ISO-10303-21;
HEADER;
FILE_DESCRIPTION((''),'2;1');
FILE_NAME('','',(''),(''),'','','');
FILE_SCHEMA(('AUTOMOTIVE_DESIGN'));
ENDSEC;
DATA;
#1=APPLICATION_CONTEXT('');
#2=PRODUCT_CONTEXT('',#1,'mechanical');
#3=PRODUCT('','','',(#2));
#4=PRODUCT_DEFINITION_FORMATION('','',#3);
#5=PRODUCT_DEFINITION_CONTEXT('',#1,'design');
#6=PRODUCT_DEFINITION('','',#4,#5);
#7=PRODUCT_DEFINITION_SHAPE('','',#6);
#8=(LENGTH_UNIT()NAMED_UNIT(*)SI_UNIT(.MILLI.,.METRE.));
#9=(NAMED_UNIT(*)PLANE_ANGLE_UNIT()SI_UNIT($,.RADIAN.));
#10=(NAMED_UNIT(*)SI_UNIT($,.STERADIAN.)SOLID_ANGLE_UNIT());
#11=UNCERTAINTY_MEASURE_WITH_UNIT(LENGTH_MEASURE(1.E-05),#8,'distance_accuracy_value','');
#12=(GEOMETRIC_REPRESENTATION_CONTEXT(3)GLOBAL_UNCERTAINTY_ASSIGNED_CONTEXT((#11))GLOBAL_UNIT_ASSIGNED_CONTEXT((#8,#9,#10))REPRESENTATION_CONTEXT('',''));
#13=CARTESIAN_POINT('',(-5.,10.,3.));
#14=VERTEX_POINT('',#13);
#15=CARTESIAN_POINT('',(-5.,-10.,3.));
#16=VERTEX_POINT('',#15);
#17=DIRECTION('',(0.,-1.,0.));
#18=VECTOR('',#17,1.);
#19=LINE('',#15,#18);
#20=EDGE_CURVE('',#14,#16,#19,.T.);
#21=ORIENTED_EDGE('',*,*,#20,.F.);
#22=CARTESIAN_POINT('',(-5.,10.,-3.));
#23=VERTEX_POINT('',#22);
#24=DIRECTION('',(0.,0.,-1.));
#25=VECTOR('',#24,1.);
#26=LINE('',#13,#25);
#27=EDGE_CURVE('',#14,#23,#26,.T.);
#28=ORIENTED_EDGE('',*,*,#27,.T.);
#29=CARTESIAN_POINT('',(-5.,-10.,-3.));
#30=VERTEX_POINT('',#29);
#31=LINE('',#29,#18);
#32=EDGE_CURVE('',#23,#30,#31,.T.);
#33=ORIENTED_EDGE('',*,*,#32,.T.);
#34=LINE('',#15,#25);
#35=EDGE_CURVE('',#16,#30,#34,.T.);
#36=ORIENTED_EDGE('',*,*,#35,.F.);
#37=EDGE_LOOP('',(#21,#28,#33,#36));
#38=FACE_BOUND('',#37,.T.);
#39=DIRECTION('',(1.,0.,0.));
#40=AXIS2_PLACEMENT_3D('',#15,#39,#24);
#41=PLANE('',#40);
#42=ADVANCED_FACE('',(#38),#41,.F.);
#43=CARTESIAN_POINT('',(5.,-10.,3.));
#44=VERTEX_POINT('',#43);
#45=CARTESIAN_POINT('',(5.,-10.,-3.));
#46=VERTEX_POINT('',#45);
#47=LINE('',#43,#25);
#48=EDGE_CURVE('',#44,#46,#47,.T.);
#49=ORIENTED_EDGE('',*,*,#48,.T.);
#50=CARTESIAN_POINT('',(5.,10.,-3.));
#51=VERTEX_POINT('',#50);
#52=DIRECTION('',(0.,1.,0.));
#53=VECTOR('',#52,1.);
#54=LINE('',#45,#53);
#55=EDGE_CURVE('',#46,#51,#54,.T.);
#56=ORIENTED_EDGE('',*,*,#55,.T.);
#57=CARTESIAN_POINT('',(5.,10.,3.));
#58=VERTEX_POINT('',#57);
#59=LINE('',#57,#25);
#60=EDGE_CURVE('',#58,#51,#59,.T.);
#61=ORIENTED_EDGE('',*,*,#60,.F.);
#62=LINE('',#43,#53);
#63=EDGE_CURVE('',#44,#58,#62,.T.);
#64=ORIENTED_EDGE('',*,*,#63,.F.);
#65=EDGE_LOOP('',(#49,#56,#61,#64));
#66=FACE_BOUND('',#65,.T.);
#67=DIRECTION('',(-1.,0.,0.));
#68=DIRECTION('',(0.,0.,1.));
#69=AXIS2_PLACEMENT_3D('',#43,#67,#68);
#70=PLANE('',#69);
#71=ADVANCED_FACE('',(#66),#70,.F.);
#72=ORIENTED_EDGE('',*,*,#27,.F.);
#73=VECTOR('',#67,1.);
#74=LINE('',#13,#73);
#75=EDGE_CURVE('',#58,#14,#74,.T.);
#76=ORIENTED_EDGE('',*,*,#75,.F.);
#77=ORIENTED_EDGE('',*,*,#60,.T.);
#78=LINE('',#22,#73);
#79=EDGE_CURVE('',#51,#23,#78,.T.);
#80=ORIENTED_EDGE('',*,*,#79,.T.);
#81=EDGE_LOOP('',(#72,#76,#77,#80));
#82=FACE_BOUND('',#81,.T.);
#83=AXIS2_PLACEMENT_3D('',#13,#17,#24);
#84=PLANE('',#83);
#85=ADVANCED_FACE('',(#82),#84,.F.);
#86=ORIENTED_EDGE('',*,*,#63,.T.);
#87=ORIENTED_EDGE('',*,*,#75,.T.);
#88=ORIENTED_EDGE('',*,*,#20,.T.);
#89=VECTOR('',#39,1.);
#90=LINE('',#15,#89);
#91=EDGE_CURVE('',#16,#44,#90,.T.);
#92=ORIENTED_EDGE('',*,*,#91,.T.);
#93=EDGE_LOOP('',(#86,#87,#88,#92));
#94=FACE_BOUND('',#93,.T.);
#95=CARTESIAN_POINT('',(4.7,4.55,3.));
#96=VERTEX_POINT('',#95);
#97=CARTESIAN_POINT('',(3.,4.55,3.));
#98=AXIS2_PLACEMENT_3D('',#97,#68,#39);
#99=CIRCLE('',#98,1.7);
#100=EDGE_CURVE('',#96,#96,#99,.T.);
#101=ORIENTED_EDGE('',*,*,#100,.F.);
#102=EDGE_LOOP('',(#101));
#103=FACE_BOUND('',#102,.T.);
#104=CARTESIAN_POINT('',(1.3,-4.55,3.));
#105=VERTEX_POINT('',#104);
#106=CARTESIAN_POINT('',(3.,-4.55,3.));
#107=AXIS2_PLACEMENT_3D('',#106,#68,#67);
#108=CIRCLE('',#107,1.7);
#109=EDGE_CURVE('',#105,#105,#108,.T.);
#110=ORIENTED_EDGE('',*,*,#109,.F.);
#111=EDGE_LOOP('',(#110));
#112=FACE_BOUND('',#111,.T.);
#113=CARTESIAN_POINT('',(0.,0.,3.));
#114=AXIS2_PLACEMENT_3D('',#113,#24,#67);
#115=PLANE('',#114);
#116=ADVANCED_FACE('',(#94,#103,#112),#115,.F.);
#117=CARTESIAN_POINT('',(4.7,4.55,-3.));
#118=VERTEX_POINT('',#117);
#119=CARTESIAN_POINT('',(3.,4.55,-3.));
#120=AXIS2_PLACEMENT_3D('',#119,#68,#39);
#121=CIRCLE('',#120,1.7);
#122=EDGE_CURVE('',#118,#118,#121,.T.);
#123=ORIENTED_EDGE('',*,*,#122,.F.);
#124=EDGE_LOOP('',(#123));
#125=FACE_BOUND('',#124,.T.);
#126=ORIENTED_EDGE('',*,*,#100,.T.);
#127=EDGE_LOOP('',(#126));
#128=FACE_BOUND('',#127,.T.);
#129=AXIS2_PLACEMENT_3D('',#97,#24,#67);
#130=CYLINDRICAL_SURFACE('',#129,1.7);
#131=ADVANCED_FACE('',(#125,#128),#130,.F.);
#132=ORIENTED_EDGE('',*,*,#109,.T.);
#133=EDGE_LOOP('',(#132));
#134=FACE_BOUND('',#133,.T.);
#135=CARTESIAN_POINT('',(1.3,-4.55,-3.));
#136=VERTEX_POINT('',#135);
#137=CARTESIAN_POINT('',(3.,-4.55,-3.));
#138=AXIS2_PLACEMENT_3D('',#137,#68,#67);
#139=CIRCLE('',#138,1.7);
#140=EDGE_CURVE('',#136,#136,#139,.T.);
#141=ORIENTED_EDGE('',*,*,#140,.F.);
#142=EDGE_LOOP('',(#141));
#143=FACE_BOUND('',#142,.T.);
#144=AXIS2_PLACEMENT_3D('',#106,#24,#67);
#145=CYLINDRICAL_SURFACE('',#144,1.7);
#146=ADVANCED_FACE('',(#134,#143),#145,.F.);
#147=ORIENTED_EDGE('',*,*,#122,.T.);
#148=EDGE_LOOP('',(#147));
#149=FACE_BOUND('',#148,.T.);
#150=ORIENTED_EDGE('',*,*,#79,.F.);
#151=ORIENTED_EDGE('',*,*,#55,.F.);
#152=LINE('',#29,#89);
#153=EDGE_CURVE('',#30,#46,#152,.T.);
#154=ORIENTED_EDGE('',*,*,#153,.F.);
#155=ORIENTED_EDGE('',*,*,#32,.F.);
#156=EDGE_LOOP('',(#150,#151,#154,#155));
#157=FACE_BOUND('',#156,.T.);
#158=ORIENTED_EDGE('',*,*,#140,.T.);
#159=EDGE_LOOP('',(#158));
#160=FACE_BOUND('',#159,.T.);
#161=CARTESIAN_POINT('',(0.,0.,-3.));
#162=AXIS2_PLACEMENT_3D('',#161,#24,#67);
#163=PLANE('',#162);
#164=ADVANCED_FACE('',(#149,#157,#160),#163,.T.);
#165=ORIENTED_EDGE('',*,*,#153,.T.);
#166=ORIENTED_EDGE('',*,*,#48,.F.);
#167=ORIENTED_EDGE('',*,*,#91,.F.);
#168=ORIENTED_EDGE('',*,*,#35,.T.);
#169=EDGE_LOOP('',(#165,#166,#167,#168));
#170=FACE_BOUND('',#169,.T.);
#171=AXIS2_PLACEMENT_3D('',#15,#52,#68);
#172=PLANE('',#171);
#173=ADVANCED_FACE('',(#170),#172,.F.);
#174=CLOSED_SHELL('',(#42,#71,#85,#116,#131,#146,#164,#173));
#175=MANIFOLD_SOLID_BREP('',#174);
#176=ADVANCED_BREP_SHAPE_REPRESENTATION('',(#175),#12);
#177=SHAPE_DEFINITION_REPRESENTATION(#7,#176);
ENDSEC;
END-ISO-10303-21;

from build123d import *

# Parameters (mm, degrees)
ESQUISSE1_W        = 10
ESQUISSE1_H        = 20
ESQUISSE1_R        = 1.7
BOSS_EXTRU_1_DEPTH = 3


with BuildPart() as part:
    # Esquisse1 → Boss.-Extru.1 (new body, symmetric)
    with BuildSketch(Plane.XY):
        Rectangle(ESQUISSE1_W, ESQUISSE1_H)
        with Locations((3, 4.55)):
            Circle(ESQUISSE1_R, mode=Mode.SUBTRACT)
        with Locations((3, -4.55)):
            Circle(ESQUISSE1_R, mode=Mode.SUBTRACT)
    extrude(amount=BOSS_EXTRU_1_DEPTH, both=True)


solid = part.part
